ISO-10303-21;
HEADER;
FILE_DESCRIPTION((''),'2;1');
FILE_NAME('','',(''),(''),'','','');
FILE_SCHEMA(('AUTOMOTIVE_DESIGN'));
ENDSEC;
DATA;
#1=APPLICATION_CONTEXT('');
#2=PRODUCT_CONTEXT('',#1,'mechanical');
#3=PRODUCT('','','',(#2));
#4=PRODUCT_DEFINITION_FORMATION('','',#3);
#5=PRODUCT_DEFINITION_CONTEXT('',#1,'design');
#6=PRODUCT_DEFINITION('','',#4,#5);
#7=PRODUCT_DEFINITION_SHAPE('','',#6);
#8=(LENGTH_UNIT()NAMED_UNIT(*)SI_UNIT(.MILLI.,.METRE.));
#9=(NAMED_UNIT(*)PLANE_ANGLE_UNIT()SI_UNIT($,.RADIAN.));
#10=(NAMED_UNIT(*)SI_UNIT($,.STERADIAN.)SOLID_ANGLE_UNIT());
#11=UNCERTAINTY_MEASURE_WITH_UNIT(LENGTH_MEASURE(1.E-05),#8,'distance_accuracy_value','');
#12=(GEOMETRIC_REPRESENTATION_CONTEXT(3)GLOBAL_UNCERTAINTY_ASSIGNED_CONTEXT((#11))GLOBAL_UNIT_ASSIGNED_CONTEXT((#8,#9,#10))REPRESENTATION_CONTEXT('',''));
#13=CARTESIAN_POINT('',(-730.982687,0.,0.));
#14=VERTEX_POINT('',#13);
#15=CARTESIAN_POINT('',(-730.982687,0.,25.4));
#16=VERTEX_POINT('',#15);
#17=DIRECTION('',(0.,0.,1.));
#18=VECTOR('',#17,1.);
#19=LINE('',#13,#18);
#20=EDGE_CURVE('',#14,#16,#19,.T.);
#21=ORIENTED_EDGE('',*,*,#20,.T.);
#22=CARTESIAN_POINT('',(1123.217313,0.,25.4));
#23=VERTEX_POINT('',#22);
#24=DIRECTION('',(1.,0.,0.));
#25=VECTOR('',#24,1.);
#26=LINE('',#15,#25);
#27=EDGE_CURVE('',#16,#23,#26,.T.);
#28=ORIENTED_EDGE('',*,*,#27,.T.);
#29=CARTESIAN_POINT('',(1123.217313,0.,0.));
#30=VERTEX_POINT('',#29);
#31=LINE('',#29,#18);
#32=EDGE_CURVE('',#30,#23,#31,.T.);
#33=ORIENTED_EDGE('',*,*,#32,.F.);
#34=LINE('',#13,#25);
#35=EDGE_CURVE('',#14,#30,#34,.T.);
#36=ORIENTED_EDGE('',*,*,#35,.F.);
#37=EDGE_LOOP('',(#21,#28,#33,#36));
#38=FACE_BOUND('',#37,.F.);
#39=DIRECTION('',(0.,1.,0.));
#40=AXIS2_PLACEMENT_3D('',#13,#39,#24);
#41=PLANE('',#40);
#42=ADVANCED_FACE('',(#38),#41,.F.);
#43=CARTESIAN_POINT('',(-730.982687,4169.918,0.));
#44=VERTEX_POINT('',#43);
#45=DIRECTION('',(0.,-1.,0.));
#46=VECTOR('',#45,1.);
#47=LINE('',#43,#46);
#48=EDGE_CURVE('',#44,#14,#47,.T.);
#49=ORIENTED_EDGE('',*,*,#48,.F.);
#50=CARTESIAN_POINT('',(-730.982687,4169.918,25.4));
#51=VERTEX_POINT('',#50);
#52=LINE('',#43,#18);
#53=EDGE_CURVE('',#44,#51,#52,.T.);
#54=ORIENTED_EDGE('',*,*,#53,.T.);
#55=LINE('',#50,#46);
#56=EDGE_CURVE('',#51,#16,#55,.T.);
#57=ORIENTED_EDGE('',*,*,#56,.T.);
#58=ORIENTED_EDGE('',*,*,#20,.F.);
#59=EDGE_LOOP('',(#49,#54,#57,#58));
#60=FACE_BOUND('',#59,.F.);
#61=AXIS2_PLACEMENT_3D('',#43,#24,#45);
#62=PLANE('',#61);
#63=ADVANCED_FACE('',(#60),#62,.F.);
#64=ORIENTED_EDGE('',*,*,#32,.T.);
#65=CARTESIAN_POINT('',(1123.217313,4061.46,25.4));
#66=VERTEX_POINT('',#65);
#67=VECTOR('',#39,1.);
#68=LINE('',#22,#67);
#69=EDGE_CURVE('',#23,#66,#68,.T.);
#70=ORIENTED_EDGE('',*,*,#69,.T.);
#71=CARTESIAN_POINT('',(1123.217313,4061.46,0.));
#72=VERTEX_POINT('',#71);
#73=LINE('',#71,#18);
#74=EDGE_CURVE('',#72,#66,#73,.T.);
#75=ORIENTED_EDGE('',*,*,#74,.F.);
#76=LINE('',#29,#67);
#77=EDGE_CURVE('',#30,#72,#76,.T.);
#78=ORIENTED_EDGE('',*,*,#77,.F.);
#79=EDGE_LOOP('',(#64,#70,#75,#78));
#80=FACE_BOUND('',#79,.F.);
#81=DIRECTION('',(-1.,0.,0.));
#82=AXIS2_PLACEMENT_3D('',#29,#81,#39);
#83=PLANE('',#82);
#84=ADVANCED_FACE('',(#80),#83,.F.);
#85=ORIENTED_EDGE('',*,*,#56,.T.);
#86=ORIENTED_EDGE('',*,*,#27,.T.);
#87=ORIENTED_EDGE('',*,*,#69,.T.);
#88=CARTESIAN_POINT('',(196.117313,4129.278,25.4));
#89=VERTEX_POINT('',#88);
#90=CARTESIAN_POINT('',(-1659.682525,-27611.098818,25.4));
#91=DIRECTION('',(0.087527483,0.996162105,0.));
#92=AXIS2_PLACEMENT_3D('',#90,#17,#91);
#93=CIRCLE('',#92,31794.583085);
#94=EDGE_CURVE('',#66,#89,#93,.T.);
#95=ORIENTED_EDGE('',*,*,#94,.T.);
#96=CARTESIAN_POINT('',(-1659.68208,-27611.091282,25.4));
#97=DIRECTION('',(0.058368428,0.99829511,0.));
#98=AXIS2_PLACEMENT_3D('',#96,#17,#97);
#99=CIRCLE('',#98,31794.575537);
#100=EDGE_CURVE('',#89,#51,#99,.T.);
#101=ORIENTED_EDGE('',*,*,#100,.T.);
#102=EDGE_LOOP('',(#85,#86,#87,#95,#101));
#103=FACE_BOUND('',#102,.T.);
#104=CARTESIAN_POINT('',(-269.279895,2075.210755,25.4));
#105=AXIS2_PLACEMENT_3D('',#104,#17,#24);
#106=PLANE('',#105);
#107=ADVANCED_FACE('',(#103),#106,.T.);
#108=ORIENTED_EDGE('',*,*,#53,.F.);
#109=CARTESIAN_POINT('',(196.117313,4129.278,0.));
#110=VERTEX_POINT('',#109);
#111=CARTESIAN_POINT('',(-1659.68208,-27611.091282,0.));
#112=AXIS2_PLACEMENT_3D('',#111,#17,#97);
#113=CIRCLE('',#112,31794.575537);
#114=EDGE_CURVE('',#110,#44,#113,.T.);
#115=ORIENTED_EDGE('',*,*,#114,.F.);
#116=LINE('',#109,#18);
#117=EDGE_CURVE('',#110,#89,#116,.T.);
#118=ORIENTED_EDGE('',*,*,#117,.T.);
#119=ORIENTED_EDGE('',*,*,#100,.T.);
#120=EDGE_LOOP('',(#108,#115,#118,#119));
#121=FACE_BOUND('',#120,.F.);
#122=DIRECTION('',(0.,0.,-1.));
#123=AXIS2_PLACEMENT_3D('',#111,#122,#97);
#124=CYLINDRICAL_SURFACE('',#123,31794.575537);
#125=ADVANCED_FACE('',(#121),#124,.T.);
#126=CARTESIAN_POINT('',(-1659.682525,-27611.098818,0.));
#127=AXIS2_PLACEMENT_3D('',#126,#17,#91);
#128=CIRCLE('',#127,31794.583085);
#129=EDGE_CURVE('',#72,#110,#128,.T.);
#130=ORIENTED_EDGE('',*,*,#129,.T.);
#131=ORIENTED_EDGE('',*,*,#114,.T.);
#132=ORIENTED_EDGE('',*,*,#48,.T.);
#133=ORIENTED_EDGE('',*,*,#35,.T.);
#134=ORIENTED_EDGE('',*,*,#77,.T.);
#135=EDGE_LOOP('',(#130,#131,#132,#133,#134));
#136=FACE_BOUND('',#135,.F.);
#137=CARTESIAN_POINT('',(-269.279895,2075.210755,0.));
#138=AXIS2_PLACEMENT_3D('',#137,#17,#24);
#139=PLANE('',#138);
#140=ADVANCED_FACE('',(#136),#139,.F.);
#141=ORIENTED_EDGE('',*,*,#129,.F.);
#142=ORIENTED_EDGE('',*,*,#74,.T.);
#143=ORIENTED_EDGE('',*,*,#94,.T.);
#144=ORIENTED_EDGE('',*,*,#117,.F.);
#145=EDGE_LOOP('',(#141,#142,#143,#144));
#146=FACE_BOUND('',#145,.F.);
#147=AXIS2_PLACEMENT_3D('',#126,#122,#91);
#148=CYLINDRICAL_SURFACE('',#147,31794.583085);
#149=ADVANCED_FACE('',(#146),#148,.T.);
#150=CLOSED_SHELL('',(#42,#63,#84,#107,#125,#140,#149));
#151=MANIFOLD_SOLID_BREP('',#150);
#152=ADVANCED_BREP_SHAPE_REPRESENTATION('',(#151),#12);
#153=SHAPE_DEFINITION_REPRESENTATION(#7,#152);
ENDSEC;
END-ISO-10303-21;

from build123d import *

# Parameters (mm, degrees)
F1_DEPTH = 25.4


with BuildPart() as f1:
    # F0 (on Top) → F1 (new body)
    with BuildSketch(Plane.XY):
        with BuildLine():
            Line((-730.982687, 4169.918), (-730.982687, 0))
            Line((-730.982687, 0), (196.117313, 0))
            Line((196.117313, 0), (196.117313, 4129.278))
            ThreePointArc((196.117313, 4129.278), (-267.284409, 4152.980596), (-730.982687, 4169.918))
        make_face()
        with BuildLine():
            Line((196.117313, 4129.278), (196.117313, 0))
            Line((196.117313, 0), (1123.217313, 0))
            Line((1123.217313, 0), (1123.217313, 4061.46))
            ThreePointArc((1123.217313, 4061.46), (659.915175, 4098.75738), (196.117313, 4129.278))
        make_face()
    extrude(amount=F1_DEPTH)


solid = f1.part
